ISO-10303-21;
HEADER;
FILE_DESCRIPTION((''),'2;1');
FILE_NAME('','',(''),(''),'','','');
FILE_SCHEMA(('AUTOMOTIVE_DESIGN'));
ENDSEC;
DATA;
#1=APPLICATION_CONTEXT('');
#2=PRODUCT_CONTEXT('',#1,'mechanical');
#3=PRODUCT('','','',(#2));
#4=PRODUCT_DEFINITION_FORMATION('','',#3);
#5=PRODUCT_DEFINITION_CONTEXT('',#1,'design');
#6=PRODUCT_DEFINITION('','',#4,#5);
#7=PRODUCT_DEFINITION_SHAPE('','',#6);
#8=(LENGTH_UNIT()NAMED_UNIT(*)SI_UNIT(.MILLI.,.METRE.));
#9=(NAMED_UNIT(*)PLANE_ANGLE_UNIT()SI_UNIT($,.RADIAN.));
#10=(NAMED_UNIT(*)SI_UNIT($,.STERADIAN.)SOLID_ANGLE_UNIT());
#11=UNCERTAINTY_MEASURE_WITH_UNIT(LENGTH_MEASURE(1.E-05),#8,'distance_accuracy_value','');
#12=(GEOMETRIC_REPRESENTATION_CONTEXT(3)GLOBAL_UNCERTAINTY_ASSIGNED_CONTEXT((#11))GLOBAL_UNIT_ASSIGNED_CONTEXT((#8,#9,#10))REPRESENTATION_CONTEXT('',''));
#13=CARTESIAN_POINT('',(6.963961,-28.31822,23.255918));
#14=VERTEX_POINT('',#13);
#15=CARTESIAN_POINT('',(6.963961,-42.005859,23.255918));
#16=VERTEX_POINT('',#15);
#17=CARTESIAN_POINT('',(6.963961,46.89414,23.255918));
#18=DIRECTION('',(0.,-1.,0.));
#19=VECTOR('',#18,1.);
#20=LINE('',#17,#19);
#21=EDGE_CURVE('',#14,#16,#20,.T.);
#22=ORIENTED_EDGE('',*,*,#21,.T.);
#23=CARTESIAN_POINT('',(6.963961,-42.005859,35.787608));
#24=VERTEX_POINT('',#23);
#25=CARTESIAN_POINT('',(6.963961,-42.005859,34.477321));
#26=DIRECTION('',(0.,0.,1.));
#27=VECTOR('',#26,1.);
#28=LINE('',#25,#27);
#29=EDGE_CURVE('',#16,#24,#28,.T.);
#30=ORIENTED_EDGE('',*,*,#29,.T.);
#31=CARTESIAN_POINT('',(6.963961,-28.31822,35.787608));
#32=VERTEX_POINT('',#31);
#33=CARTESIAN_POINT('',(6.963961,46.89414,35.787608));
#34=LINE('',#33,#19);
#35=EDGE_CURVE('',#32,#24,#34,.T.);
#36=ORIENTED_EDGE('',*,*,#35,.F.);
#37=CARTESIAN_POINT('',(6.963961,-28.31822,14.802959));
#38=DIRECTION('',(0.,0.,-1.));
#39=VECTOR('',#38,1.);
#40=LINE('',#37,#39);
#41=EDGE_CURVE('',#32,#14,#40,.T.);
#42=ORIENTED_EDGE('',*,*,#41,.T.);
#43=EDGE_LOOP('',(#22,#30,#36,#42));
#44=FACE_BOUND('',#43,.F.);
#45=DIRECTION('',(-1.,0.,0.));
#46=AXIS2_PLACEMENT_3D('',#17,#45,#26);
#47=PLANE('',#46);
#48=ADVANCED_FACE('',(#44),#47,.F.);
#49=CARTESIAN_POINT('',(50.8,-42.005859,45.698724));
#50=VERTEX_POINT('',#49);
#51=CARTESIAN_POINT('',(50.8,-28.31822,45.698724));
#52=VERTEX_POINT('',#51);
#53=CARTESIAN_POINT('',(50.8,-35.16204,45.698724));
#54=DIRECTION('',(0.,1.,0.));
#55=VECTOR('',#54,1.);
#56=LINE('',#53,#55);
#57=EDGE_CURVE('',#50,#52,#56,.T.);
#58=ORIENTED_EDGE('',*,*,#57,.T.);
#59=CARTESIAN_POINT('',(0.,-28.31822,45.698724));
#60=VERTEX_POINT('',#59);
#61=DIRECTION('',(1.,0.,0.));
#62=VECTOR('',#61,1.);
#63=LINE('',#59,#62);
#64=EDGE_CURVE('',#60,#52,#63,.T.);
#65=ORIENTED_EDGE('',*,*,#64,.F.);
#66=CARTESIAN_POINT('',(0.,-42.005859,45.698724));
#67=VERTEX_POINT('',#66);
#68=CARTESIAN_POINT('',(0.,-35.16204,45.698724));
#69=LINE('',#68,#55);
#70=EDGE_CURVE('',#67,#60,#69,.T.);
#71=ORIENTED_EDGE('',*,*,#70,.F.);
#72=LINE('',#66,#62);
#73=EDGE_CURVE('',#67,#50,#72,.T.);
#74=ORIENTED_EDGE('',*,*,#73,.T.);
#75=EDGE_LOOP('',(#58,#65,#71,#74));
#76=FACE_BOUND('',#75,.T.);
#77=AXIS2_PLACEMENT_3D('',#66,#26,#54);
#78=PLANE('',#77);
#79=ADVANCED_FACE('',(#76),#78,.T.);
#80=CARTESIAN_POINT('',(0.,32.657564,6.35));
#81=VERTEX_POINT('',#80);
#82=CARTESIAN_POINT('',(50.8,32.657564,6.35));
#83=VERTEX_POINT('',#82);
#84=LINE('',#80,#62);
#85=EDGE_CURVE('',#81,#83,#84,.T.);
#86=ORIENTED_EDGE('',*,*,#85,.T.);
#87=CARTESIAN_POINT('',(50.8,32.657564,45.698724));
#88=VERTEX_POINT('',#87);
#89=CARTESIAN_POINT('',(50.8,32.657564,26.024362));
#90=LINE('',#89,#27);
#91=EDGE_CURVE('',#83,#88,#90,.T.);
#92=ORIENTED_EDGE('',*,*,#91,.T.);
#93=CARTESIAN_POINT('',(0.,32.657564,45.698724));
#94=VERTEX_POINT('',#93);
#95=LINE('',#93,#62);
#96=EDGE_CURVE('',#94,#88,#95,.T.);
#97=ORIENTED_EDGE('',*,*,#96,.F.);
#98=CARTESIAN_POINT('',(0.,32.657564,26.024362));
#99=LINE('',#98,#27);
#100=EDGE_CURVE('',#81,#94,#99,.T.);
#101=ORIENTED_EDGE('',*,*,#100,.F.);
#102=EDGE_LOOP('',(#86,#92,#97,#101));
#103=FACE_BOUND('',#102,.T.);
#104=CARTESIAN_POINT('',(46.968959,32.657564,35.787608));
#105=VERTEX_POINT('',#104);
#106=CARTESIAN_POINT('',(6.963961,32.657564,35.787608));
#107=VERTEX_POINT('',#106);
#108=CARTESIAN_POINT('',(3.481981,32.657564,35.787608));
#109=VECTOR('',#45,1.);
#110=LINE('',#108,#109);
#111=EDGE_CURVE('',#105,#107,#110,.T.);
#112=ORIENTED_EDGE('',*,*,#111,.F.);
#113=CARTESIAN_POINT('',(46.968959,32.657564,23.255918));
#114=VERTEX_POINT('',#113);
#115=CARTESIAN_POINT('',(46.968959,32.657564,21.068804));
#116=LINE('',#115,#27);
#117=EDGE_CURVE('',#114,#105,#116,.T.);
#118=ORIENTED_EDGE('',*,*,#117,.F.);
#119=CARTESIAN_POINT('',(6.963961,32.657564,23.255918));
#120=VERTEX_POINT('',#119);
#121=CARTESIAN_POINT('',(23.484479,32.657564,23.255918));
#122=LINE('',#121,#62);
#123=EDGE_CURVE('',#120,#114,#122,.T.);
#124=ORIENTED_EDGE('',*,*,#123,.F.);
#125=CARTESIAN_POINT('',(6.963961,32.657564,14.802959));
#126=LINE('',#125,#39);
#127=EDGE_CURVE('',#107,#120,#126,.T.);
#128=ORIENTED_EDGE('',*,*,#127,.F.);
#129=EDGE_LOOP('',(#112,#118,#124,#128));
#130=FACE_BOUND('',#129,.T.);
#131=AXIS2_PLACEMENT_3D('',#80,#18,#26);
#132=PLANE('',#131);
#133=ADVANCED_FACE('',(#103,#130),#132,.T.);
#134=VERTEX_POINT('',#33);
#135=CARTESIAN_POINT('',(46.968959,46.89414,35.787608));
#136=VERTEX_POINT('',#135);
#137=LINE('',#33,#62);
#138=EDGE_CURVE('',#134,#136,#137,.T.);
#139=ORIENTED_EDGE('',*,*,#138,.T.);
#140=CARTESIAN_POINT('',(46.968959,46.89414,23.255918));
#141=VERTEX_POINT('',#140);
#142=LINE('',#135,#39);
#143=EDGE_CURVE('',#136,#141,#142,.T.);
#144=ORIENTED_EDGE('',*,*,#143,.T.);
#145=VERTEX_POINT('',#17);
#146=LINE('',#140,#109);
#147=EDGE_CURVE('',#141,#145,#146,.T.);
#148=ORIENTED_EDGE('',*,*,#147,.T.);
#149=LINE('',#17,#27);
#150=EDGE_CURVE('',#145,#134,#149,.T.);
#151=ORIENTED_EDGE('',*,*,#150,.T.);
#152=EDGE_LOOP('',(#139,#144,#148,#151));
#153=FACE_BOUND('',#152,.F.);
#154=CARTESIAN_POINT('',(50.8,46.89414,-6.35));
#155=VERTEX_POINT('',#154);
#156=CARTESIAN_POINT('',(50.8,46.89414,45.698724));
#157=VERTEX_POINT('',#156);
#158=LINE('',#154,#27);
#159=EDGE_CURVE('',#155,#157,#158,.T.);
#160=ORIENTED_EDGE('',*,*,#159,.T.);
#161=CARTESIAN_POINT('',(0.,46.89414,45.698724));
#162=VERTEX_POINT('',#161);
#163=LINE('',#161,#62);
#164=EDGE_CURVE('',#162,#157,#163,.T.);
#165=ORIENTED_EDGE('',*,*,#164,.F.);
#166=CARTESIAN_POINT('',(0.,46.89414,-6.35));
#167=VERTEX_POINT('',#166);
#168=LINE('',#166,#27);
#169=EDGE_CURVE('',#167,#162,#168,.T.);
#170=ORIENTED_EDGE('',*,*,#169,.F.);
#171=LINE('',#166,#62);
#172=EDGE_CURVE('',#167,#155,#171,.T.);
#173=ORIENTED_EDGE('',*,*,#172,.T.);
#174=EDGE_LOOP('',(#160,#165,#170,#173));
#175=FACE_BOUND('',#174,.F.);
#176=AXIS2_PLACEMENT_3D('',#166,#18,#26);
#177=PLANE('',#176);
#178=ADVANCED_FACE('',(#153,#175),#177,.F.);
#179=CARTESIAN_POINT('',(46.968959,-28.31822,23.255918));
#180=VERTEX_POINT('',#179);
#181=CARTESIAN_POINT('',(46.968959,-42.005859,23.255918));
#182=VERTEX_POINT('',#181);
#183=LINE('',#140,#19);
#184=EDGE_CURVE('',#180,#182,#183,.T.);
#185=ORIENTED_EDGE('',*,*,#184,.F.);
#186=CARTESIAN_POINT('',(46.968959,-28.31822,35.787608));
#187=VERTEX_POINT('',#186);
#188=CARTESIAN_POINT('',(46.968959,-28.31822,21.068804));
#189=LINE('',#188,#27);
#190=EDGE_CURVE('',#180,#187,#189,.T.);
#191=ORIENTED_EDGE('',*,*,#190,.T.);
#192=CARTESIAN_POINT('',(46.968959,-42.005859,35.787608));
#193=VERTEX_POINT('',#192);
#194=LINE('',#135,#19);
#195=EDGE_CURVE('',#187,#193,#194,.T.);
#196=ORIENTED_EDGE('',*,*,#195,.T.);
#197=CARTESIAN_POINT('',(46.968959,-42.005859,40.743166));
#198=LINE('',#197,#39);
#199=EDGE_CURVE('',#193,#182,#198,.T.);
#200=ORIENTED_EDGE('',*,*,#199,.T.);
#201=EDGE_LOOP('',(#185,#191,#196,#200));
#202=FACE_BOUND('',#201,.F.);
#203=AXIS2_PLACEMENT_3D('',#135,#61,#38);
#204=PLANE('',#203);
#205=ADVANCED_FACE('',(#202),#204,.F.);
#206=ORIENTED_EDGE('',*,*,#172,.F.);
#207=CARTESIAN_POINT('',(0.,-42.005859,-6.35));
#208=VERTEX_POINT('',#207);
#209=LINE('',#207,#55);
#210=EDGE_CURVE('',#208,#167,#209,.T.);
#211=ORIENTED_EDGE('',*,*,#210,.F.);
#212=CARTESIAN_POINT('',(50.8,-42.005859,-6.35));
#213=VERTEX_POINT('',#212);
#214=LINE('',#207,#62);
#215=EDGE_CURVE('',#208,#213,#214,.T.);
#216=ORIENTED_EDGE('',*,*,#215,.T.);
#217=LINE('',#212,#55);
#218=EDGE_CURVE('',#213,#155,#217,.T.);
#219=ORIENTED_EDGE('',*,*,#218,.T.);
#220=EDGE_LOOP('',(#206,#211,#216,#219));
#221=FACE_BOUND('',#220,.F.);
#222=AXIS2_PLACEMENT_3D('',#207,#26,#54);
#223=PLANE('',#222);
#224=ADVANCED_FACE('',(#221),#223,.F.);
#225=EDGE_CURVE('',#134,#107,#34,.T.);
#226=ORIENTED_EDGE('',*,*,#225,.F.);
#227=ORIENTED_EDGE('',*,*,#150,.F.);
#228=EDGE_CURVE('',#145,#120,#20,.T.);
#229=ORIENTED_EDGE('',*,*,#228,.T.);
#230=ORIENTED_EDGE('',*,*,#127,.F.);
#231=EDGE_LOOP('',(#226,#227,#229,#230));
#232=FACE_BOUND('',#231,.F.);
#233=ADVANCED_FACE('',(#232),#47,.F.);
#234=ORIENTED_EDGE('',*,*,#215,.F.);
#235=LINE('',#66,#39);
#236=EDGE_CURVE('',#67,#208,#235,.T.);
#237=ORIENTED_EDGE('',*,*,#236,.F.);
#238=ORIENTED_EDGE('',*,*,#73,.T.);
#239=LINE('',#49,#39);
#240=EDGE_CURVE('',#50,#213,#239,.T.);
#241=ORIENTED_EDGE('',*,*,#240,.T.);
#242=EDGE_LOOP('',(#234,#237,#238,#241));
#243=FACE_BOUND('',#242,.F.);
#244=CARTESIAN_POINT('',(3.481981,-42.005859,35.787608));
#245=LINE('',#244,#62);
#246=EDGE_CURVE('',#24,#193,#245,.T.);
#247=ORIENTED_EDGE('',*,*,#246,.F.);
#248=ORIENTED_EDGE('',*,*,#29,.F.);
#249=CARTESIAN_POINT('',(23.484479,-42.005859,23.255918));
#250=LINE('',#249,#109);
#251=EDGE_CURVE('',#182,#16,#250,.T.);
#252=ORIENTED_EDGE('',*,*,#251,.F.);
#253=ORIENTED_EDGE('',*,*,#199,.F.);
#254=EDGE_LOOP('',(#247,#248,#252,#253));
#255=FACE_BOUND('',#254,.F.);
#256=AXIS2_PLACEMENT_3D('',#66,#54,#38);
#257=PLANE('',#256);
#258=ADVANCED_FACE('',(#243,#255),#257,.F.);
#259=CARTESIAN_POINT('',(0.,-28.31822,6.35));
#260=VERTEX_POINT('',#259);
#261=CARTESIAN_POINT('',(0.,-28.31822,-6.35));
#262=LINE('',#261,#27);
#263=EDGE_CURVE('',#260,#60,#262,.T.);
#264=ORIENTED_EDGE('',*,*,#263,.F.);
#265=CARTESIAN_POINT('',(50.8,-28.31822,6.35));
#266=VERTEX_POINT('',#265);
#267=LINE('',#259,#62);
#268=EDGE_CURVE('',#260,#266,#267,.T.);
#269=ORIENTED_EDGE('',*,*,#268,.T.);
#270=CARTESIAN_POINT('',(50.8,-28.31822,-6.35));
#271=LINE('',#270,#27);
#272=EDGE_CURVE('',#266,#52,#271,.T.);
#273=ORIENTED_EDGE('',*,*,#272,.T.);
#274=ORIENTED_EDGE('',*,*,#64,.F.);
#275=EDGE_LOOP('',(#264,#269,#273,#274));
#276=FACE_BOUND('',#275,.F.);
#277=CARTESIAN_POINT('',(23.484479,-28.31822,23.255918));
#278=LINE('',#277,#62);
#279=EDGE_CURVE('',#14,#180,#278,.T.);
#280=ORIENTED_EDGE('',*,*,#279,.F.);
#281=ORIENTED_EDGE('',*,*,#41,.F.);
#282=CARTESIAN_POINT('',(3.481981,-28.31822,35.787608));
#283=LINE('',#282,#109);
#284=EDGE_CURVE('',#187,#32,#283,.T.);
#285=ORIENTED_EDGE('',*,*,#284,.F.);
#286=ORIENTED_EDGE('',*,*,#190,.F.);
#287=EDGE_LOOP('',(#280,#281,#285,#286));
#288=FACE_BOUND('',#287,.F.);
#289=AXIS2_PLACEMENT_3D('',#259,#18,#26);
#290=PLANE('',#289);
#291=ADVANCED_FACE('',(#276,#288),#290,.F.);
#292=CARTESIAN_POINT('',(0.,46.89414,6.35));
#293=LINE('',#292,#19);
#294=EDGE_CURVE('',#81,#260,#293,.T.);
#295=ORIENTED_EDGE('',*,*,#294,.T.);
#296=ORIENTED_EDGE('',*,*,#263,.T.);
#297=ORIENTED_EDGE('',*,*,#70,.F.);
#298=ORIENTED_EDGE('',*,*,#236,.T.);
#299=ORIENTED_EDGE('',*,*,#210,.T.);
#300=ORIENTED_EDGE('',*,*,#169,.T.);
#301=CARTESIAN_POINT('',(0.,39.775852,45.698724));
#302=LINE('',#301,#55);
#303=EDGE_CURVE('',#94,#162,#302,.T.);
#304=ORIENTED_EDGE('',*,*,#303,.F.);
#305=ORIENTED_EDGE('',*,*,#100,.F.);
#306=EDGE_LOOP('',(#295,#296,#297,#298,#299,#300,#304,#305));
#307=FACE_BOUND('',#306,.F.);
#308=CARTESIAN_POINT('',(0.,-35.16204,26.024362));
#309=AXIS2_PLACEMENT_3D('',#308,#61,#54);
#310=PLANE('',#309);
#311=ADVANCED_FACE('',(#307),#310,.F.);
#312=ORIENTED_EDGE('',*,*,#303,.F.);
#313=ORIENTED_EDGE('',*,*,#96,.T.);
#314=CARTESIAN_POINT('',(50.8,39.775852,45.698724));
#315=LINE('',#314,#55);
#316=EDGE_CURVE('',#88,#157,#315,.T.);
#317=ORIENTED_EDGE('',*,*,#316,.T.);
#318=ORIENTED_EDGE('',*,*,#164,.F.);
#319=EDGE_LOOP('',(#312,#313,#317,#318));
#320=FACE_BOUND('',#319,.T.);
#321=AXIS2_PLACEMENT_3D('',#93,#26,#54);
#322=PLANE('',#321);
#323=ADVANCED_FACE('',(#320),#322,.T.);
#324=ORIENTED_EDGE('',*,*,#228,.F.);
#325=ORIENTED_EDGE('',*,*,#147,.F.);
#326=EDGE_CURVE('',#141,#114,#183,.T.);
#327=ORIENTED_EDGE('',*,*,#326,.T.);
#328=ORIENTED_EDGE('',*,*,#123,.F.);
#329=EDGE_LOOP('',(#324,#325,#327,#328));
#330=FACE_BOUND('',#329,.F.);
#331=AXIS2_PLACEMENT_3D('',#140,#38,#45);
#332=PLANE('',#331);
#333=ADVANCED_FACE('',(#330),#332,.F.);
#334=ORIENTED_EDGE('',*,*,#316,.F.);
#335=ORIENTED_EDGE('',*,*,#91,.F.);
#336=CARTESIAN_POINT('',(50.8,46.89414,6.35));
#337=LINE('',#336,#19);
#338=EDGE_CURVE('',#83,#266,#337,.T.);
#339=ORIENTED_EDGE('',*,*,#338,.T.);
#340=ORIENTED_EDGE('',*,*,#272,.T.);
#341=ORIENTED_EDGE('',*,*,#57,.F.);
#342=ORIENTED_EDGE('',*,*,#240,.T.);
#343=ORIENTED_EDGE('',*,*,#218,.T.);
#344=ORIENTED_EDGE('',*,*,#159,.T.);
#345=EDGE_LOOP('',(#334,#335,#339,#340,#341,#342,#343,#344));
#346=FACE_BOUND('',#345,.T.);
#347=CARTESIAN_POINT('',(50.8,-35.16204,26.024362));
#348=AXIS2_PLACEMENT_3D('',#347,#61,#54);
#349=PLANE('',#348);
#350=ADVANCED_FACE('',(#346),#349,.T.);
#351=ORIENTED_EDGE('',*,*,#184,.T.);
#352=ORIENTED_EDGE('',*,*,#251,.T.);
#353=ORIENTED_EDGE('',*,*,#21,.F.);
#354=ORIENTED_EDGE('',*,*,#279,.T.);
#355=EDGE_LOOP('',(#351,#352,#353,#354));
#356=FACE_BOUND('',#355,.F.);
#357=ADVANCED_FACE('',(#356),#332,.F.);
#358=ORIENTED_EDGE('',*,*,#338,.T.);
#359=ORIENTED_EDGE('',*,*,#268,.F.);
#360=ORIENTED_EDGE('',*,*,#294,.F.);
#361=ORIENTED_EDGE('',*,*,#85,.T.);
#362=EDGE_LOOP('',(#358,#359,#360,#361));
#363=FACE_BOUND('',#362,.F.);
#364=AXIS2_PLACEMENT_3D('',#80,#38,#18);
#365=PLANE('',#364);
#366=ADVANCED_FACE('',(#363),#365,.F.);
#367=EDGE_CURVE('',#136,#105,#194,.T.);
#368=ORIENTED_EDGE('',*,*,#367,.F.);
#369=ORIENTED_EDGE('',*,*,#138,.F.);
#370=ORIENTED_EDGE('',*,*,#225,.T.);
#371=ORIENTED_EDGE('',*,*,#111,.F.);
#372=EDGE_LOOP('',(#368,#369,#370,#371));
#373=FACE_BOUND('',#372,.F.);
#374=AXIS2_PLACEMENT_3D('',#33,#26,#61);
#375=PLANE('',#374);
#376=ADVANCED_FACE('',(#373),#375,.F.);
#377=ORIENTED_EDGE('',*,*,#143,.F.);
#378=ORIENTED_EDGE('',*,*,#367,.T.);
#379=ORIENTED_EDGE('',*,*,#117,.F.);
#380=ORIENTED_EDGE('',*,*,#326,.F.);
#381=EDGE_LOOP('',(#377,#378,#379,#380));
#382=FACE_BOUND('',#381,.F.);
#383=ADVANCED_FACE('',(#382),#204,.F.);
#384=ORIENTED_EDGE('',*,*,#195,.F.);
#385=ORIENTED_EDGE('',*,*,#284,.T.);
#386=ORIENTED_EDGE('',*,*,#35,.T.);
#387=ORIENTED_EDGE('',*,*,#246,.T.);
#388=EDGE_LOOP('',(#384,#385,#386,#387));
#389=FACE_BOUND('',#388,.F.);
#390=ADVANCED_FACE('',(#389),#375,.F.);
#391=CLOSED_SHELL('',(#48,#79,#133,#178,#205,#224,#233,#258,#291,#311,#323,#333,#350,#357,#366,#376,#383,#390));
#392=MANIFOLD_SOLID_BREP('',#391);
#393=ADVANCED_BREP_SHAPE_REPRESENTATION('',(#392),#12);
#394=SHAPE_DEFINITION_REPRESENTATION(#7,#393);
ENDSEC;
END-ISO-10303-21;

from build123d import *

# Parameters (mm, degrees)
F0_W     = 13.687639
F0_H     = 39.348725
F0_H_2   = 12.7
F0_W_2   = 60.975785
F0_W_3   = 14.236576
F1_DEPTH = 50.8
F3_DEPTH = 88.901


with BuildPart() as f1:
    # F0 (on Right) → F1 (new body)
    with BuildSketch(Plane.YZ):
        with Locations((-35.16204, 26.024362)):
            Rectangle(F0_W, F0_H)
        with Locations((-35.16204, 0)):
            Rectangle(F0_W, F0_H_2)
        with Locations((2.169672, 0)):
            Rectangle(F0_W_2, F0_H_2)
        with Locations((39.775852, 0)):
            Rectangle(F0_W_3, F0_H_2)
        with Locations((39.775852, 26.024362)):
            Rectangle(F0_W_3, F0_H)
    extrude(amount=F1_DEPTH)

    # F2 (on face) → F3 (cut, through all)
    with BuildSketch(Plane(origin=(0, 46.89414, 0), x_dir=(-1, 0, 0), z_dir=(0, 1, 0))):
        Polygon((-46.968959, 23.255918), (-36.365226, 23.255918), (-6.963961, 23.255918), (-6.963961, 35.787608), (-36.365226, 35.787608), (-46.968959, 35.787608), align=None)
    extrude(amount=-F3_DEPTH, mode=Mode.SUBTRACT)


solid = f1.part
